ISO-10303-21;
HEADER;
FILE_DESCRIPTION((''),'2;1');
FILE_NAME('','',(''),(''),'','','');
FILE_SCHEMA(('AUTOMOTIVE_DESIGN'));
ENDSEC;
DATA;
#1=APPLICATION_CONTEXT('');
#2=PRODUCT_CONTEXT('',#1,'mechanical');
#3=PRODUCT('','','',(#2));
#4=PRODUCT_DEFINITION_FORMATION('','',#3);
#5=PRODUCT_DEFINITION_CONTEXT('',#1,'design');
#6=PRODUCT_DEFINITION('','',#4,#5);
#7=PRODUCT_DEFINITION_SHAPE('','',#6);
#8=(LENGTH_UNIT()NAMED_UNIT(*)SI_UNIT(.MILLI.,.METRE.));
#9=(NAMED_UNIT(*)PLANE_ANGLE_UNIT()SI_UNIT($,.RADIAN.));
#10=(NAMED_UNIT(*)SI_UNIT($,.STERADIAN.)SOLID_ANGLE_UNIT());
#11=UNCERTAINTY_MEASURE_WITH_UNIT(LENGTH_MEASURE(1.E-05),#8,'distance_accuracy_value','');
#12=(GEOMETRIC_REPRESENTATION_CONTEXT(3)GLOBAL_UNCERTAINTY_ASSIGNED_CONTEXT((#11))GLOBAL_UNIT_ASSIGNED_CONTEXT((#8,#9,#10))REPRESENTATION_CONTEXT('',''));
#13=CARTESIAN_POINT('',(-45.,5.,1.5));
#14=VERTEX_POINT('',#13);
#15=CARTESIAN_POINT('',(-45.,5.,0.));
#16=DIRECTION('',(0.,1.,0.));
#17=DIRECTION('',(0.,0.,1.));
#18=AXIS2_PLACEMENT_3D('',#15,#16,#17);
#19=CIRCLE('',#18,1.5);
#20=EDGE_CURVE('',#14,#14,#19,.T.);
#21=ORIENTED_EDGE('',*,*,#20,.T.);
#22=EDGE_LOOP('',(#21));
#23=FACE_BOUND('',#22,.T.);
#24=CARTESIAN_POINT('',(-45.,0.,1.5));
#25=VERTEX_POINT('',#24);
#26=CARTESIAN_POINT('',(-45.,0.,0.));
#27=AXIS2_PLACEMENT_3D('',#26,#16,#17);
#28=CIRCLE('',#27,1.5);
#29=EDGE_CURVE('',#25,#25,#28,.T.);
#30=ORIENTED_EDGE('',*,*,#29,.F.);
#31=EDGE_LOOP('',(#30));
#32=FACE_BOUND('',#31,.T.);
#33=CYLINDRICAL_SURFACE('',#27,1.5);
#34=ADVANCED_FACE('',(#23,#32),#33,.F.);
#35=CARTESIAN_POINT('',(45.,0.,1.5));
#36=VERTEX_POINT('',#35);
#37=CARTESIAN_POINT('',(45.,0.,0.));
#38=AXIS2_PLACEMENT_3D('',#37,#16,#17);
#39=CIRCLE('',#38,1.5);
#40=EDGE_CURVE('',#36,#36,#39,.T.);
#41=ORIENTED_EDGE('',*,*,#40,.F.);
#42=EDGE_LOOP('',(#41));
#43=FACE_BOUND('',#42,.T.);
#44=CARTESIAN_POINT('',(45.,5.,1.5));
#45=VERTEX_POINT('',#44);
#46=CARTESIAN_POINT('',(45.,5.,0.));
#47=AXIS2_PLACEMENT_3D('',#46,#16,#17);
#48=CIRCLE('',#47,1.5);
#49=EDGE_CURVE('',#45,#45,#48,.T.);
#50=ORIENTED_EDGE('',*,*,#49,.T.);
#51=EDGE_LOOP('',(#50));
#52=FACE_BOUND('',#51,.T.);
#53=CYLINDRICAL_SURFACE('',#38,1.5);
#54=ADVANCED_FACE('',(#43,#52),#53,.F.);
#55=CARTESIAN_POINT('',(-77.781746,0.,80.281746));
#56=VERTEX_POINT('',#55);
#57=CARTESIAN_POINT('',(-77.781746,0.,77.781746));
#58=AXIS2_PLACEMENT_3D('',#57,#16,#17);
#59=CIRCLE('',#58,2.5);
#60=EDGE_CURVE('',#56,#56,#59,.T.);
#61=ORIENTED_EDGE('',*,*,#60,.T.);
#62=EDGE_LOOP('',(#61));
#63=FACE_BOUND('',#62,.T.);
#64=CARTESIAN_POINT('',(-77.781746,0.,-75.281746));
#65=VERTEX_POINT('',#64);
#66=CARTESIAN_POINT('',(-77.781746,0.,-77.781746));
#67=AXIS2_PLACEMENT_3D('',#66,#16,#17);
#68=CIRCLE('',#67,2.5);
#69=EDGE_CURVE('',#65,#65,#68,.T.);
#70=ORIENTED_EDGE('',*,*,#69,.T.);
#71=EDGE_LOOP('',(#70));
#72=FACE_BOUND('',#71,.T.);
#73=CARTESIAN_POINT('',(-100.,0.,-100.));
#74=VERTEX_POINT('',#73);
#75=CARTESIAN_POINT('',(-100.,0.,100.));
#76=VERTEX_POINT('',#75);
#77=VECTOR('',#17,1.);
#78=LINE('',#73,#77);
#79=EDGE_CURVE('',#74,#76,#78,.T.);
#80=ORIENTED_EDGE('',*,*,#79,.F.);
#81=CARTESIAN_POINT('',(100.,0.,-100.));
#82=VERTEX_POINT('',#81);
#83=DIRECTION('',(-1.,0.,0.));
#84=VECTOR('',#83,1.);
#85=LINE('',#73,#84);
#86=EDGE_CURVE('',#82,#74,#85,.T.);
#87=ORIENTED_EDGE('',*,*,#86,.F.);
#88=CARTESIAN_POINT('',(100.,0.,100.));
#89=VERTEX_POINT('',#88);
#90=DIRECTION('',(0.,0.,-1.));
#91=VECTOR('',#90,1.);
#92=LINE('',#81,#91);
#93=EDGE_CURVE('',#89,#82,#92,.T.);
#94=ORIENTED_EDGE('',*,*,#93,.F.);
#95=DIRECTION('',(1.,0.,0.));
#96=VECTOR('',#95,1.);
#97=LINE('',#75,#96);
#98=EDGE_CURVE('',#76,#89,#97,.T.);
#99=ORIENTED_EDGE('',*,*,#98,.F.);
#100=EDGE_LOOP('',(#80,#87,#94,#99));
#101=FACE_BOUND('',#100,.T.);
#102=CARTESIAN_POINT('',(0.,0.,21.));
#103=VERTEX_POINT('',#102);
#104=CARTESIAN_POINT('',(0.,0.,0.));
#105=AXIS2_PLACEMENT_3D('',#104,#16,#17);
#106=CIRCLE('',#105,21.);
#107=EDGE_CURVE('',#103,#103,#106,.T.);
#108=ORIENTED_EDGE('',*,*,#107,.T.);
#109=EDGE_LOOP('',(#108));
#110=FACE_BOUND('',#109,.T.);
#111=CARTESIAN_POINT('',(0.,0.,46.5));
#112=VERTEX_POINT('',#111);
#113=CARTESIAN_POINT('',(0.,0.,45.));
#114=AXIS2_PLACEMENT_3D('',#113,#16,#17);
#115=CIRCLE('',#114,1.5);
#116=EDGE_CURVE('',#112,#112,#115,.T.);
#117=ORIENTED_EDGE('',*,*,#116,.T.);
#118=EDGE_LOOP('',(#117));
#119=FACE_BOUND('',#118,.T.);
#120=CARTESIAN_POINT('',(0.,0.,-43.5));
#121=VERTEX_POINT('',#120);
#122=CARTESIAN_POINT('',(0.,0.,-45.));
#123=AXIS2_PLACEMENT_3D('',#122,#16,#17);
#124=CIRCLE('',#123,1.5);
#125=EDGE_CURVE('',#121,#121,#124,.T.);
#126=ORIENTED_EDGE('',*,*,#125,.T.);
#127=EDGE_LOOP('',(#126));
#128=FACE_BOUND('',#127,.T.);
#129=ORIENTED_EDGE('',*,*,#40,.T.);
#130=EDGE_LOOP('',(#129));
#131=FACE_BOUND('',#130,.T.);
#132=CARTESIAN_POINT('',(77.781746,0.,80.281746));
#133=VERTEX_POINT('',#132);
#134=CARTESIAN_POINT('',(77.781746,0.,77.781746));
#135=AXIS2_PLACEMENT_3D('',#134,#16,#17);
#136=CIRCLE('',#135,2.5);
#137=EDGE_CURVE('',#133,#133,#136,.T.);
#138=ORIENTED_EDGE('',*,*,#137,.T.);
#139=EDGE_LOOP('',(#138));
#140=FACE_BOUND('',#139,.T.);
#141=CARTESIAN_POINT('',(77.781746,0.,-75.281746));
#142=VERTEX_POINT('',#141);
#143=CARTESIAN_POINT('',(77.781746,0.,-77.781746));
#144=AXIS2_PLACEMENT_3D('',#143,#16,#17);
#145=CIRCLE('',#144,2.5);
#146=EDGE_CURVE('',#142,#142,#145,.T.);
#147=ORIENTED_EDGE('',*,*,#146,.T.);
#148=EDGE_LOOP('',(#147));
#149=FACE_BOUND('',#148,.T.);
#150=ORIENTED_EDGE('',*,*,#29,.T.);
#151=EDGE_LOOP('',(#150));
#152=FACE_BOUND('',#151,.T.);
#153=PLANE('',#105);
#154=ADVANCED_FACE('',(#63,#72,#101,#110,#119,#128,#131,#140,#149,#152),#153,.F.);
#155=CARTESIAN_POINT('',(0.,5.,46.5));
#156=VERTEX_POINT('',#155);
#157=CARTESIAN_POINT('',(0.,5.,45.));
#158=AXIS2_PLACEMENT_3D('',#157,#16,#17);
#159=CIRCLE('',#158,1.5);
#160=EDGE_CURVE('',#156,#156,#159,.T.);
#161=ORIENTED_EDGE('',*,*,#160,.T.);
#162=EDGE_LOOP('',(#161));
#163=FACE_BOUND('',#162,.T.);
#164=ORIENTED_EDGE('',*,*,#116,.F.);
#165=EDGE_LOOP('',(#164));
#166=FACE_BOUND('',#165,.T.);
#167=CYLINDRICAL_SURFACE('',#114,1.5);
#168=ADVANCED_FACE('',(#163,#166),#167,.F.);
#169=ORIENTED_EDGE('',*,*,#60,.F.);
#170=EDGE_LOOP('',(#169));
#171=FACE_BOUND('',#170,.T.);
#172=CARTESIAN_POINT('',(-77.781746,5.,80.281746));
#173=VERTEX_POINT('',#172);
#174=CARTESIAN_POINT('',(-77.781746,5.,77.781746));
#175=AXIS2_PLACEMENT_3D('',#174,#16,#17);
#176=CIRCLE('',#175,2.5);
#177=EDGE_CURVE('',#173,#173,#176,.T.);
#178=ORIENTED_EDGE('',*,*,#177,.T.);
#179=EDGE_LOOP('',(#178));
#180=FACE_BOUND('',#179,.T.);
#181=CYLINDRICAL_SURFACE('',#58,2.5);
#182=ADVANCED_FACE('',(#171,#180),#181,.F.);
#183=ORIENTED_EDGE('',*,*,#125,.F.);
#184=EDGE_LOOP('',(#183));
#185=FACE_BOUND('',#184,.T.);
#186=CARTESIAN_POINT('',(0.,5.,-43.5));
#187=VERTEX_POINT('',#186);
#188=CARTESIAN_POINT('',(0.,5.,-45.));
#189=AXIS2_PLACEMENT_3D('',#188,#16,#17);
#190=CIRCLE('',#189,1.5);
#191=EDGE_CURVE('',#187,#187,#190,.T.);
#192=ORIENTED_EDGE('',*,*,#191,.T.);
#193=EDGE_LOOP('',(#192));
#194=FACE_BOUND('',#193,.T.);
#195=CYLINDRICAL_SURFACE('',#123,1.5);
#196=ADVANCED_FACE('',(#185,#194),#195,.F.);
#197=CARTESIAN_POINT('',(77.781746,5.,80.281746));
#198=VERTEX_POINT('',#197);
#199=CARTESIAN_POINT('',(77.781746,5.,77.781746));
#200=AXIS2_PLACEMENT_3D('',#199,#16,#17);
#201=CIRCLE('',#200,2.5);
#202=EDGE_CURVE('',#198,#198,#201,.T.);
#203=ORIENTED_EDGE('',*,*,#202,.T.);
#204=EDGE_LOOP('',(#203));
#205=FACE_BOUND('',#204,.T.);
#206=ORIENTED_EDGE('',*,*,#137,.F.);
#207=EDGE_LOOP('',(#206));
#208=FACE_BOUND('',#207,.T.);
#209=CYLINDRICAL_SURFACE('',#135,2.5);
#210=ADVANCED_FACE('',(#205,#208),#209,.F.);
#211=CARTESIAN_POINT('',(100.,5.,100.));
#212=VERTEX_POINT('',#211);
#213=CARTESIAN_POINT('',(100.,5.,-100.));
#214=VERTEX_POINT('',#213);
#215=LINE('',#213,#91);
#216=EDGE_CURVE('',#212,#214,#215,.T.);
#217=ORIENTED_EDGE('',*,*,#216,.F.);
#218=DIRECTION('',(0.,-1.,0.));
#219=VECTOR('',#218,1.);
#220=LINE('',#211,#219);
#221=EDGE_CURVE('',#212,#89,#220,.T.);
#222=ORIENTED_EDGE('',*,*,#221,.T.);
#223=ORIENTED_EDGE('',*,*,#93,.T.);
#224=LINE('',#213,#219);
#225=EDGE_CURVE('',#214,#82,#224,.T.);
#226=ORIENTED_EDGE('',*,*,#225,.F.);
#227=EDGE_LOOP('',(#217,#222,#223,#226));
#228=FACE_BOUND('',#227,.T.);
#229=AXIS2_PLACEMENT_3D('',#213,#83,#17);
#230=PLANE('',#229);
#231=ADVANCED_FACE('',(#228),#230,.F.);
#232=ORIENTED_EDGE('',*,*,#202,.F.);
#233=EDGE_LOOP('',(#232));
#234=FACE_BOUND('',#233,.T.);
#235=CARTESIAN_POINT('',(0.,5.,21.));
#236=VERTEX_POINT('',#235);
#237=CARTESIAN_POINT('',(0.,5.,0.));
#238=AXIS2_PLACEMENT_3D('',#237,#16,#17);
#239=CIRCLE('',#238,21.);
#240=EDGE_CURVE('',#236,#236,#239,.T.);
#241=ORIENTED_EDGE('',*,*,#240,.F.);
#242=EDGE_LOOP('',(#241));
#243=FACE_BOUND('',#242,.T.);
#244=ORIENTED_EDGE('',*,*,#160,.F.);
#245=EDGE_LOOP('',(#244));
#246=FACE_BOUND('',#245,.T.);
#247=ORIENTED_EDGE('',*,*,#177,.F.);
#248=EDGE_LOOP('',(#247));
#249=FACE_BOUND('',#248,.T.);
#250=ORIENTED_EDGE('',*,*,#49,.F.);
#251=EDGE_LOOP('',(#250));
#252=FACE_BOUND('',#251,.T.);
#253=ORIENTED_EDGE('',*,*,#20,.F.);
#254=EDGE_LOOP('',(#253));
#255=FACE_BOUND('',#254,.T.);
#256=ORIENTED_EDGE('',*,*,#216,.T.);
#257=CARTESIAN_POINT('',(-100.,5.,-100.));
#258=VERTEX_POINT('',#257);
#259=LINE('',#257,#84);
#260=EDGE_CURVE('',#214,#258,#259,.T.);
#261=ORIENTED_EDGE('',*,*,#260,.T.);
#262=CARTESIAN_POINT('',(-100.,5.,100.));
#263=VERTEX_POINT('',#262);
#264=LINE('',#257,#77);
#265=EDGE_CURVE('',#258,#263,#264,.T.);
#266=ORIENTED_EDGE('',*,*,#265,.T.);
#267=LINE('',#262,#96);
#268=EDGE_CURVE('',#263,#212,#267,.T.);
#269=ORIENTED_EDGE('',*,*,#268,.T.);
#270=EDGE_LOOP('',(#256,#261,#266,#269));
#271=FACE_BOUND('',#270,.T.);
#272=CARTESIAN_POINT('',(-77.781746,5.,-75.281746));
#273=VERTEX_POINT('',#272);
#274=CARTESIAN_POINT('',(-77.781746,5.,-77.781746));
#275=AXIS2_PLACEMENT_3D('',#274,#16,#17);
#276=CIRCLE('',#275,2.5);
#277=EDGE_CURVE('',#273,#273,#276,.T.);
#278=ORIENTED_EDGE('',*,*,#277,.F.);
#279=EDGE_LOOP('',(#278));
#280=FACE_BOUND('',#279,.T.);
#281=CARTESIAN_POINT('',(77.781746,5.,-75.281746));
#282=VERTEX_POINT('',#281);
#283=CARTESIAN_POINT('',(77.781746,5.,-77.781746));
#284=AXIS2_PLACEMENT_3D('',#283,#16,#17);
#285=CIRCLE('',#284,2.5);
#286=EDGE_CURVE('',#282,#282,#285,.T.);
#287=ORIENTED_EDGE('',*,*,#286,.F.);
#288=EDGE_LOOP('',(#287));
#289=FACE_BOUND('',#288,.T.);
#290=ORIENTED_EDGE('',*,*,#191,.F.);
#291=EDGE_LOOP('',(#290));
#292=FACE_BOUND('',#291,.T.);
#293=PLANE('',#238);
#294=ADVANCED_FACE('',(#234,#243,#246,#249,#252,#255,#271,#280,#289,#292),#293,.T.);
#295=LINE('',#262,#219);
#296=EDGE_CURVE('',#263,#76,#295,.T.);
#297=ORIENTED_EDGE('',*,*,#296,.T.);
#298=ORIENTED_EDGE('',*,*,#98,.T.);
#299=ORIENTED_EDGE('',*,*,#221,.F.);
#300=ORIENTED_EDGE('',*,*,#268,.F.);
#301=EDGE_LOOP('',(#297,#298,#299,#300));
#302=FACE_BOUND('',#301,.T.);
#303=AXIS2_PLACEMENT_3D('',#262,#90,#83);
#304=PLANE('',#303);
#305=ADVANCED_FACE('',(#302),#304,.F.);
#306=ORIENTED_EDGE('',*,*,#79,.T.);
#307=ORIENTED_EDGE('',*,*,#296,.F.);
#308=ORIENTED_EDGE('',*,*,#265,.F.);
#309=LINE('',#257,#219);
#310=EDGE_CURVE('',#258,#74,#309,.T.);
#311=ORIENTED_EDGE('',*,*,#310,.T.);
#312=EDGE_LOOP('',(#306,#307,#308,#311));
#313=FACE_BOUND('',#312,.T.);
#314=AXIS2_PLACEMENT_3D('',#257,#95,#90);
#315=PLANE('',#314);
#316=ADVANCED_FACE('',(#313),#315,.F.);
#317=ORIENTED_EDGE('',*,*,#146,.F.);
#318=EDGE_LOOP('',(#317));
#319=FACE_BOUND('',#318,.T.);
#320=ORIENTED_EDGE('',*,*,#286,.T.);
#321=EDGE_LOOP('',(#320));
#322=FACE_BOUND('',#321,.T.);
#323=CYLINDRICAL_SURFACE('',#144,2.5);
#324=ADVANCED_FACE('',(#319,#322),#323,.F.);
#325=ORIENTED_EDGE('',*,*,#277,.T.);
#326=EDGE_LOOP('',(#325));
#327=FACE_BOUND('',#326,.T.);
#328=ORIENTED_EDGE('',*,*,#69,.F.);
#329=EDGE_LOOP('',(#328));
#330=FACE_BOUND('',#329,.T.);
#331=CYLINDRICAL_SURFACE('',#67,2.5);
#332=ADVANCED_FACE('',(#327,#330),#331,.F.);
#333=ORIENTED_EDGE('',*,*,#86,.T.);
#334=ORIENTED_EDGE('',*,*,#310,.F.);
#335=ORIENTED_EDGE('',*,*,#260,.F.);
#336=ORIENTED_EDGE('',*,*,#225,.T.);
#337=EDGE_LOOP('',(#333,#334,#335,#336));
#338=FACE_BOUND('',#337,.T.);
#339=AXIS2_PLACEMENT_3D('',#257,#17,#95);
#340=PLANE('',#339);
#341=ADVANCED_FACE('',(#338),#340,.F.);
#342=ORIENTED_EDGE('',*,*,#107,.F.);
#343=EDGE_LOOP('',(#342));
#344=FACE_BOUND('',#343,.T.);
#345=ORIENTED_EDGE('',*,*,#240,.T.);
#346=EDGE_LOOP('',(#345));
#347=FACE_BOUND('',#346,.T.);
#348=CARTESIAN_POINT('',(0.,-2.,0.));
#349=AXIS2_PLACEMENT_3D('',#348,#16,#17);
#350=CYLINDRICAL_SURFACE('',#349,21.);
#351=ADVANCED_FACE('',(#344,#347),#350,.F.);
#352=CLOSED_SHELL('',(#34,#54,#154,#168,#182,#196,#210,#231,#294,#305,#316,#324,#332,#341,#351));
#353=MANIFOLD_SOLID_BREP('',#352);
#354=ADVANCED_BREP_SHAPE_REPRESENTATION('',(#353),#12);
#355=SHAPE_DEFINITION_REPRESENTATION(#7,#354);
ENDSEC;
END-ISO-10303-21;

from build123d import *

# Parameters (mm, degrees)
SKETCH1_W           = 200
SKETCH1_H           = 200
BOSS_EXTRUDE1_DEPTH = 5
SKETCH2_R           = 2.5
CUT_EXTRUDE1_DEPTH  = 5
SKETCH3_R           = 1.5
CUT_EXTRUDE2_DEPTH  = 5
SKETCH4_R           = 21
CUT_EXTRUDE3_DEPTH  = 7


with BuildPart() as part:
    # Sketch1 → Boss-Extrude1 (new body)
    with BuildSketch(Plane(origin=(0, 0, 0), x_dir=(1, 0, 0), z_dir=(0, 1, 0))):
        Rectangle(SKETCH1_W, SKETCH1_H)
    extrude(amount=BOSS_EXTRUDE1_DEPTH)

    # Sketch2 → Cut-Extrude1 (cut)
    with BuildSketch(Plane(origin=(0, 5, 0), x_dir=(1, 0, 0), z_dir=(0, 1, 0))):
        with Locations(Location((77.781745931, 77.781745931, 0), (0, 0, 270))):
            Circle(SKETCH2_R)
        with Locations(Location((77.781745931, -77.781745931, 0), (0, 0, 270))):
            Circle(SKETCH2_R)
        with Locations(Location((-77.781745931, -77.781745931, 0), (0, 0, 270))):
            Circle(SKETCH2_R)
        with Locations(Location((-77.781745931, 77.781745931, 0), (0, 0, 270))):
            Circle(SKETCH2_R)
    extrude(amount=-CUT_EXTRUDE1_DEPTH, mode=Mode.SUBTRACT)

    # Sketch3 → Cut-Extrude2 (cut)
    with BuildSketch(Plane(origin=(0, 5, 0), x_dir=(1, 0, 0), z_dir=(0, 1, 0))):
        with Locations(Location((0, -45, 0), (0, 0, 270))):
            Circle(SKETCH3_R)
        with Locations(Location((-45, 0, 0), (0, 0, 270))):
            Circle(SKETCH3_R)
        with Locations(Location((0, 45, 0), (0, 0, 270))):
            Circle(SKETCH3_R)
        with Locations(Location((45, 0, 0), (0, 0, 270))):
            Circle(SKETCH3_R)
    extrude(amount=-CUT_EXTRUDE2_DEPTH, mode=Mode.SUBTRACT)

    # Sketch4 → Cut-Extrude3 (cut)
    with BuildSketch(Plane(origin=(0, 5, 0), x_dir=(1, 0, 0), z_dir=(0, 1, 0))):
        with Locations(Location((0, 0, 0), (0, 0, 270))):
            Circle(SKETCH4_R)
    extrude(amount=-CUT_EXTRUDE3_DEPTH, mode=Mode.SUBTRACT)


solid = part.part
